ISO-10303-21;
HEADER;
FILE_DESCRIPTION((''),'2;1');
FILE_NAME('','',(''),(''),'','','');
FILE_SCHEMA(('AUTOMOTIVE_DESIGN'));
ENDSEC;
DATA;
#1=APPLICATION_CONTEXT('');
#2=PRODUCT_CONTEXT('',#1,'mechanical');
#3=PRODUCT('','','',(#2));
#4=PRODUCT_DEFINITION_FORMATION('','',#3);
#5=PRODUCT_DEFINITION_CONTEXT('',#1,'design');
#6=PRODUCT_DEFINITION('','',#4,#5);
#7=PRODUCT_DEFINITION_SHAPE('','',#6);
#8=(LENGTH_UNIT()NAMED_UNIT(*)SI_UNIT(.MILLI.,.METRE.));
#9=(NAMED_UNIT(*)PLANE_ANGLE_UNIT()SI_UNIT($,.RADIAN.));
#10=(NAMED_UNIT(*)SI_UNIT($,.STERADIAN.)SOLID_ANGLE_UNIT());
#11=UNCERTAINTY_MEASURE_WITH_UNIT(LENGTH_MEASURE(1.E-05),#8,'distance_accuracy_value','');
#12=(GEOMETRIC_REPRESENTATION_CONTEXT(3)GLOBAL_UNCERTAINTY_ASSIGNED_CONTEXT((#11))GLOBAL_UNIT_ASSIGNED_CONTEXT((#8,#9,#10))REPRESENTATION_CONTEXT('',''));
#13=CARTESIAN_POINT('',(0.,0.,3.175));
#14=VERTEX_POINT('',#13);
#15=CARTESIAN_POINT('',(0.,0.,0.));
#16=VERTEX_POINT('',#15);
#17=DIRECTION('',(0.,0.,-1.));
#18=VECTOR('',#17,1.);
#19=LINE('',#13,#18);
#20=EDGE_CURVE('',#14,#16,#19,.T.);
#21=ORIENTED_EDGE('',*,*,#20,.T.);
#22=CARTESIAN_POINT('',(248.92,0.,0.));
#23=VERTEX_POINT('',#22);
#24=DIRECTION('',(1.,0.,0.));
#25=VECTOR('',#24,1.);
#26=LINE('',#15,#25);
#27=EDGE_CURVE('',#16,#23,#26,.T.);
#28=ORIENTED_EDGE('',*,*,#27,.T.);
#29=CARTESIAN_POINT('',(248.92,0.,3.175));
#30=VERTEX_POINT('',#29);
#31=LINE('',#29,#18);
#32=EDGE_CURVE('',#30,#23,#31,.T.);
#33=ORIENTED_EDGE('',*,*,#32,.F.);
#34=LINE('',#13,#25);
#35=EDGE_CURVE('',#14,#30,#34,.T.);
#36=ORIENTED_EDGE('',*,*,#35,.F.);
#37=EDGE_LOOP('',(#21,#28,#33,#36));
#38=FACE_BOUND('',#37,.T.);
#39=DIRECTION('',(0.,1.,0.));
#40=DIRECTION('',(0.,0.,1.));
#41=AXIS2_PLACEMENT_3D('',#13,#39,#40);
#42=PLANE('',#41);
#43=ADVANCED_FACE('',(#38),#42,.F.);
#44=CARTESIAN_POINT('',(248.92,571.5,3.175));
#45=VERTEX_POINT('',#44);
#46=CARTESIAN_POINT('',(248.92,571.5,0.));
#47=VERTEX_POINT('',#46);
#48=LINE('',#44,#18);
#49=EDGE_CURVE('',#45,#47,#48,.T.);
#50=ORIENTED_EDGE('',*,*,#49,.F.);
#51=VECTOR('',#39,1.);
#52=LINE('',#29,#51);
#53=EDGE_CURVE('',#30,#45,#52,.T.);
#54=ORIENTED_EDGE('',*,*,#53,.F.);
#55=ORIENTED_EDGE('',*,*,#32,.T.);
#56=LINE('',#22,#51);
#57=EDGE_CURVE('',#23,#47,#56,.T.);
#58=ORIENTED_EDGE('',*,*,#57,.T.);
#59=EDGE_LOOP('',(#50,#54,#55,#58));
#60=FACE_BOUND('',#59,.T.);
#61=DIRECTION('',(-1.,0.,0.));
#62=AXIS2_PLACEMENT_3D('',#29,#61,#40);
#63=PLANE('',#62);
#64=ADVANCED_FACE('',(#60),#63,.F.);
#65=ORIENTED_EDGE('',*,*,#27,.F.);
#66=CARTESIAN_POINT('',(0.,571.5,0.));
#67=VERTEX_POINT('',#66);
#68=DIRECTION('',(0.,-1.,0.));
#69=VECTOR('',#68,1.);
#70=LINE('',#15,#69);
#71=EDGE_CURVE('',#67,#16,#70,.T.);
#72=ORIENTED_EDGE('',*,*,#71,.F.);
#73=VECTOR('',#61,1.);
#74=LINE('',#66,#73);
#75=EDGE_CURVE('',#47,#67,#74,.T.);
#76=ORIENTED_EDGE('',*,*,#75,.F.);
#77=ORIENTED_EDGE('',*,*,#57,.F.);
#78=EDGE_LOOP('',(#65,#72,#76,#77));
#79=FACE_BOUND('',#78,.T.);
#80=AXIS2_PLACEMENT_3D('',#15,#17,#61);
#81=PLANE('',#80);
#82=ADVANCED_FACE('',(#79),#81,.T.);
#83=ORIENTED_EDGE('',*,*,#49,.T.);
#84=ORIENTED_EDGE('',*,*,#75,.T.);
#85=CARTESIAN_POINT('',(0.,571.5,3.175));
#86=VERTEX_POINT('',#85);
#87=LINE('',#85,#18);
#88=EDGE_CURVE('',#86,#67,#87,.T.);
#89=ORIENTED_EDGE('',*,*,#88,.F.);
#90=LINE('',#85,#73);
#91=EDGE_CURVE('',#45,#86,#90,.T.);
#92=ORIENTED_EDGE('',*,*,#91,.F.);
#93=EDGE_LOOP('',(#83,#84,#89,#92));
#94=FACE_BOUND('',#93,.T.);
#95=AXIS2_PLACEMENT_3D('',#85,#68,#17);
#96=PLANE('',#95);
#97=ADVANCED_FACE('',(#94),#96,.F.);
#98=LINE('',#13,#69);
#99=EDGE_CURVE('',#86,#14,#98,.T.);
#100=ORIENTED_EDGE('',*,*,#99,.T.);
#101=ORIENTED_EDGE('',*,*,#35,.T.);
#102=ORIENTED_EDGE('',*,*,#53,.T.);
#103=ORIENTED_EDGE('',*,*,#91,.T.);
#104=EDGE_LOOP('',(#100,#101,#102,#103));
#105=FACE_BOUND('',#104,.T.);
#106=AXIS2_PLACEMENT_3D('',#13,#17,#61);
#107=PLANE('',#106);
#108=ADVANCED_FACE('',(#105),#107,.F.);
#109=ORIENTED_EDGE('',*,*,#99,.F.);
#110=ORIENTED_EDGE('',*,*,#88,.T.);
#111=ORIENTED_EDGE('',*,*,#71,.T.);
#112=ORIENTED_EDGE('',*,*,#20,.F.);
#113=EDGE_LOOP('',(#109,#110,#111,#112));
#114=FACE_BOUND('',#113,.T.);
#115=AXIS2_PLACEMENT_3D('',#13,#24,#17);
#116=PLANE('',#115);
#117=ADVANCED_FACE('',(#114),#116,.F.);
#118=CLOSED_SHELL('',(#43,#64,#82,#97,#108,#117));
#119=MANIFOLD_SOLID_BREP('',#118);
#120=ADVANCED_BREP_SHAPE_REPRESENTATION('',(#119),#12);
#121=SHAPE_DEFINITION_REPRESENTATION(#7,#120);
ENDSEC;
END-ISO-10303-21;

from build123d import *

# Parameters (mm, degrees)
SKETCH1_W           = 248.92
SKETCH1_H           = 571.5
BOSS_EXTRUDE1_DEPTH = 3.175


with BuildPart() as part:
    # Sketch1 → Boss-Extrude1 (new body)
    with BuildSketch(Plane.XY):
        with Locations((124.46, 285.75)):
            Rectangle(SKETCH1_W, SKETCH1_H)
    extrude(amount=BOSS_EXTRUDE1_DEPTH)


solid = part.part
